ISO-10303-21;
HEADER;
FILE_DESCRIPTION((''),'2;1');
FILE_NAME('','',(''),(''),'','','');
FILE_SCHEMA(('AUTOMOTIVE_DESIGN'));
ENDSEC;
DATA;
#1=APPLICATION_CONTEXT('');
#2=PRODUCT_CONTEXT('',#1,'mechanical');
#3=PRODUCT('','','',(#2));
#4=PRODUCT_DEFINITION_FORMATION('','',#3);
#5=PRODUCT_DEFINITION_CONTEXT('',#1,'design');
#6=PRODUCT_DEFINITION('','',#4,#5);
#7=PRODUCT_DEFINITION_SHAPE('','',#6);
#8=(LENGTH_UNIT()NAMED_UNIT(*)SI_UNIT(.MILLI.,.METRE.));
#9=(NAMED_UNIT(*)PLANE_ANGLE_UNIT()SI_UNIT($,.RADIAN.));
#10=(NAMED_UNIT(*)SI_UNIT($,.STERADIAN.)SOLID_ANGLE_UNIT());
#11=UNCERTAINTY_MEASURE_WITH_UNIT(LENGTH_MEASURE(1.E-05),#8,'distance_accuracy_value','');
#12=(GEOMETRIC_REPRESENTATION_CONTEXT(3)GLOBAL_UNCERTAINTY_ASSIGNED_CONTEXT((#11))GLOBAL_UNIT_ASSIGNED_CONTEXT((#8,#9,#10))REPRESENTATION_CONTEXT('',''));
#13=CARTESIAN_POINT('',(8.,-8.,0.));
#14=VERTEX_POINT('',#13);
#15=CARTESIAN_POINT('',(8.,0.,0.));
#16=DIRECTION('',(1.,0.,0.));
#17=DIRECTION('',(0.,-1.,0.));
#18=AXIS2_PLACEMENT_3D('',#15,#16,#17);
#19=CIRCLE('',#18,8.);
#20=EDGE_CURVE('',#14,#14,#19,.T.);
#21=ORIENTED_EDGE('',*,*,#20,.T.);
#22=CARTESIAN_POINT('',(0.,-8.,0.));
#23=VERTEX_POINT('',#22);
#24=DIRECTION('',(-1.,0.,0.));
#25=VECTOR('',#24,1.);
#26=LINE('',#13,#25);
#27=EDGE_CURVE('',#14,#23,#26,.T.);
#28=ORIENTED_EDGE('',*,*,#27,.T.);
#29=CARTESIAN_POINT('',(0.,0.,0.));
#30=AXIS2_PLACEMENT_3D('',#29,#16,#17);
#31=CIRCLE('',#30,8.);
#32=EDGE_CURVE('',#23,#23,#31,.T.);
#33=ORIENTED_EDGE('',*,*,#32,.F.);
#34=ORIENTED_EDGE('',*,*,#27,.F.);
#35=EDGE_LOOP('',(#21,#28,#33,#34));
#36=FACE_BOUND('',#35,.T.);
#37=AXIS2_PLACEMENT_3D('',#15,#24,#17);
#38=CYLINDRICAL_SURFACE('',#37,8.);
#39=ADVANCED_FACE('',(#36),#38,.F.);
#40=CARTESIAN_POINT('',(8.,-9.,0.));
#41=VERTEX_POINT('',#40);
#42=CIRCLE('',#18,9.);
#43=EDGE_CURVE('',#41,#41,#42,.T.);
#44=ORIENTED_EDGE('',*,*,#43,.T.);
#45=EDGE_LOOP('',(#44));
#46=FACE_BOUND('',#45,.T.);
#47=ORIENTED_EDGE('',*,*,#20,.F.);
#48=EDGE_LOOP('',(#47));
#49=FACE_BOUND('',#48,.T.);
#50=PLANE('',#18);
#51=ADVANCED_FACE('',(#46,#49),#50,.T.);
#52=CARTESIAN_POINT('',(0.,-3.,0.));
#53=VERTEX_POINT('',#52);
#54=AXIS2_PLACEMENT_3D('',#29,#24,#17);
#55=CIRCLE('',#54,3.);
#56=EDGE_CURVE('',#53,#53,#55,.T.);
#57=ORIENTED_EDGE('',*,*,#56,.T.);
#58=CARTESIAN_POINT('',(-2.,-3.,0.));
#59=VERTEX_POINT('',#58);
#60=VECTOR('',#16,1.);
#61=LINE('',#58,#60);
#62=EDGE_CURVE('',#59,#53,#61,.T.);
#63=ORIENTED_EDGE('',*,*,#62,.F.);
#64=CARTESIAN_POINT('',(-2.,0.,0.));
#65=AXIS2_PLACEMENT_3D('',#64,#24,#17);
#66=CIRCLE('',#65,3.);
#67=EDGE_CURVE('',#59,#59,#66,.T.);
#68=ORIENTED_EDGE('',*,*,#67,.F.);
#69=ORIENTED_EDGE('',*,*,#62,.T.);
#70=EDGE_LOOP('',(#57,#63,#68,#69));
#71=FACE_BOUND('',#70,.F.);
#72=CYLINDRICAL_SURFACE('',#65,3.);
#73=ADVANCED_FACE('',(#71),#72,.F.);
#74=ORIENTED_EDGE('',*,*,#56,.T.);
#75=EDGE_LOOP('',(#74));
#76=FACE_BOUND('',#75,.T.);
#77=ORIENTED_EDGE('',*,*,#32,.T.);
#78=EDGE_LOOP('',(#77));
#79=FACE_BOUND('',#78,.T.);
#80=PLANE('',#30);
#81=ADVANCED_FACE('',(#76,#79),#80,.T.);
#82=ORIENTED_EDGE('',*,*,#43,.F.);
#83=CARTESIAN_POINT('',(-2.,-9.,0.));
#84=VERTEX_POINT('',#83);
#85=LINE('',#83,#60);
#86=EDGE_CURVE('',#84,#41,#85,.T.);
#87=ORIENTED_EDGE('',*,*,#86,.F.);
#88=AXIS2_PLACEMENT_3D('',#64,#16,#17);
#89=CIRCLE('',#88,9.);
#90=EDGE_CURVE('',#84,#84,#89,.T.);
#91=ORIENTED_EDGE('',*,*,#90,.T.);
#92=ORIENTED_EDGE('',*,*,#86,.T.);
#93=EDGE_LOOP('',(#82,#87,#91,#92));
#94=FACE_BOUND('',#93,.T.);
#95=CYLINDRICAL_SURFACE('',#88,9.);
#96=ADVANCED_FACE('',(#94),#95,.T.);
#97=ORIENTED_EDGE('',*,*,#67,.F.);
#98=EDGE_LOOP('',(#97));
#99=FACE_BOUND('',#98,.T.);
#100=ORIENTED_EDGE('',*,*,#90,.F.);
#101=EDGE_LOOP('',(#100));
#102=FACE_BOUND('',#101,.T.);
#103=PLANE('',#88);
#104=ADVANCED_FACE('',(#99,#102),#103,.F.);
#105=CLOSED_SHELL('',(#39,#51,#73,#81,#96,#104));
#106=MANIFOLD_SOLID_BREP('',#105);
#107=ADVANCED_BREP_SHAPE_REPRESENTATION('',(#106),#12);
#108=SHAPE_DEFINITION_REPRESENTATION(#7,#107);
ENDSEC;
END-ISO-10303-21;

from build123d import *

# Parameters (mm, degrees)
F2_R     = 3
F3_DEPTH = 2


with BuildPart() as f1:
    # F0 (on Top) → F1 (revolve)
    with BuildSketch(Plane.XY):
        Polygon((0, -8), (0, 0), (-2, 0), (-2, -9), (8, -9), (8, -8), align=None)
    revolve(axis=Axis((-1, 0, 0), (1, 0, 0)))

    # F2 (on face) → F3 (cut, through all)
    with BuildSketch(Plane(origin=(-2, 0, 0), x_dir=(0, -1, 0), z_dir=(-1, 0, 0))):
        Circle(F2_R)
    extrude(amount=-F3_DEPTH, mode=Mode.SUBTRACT)


solid = f1.part
